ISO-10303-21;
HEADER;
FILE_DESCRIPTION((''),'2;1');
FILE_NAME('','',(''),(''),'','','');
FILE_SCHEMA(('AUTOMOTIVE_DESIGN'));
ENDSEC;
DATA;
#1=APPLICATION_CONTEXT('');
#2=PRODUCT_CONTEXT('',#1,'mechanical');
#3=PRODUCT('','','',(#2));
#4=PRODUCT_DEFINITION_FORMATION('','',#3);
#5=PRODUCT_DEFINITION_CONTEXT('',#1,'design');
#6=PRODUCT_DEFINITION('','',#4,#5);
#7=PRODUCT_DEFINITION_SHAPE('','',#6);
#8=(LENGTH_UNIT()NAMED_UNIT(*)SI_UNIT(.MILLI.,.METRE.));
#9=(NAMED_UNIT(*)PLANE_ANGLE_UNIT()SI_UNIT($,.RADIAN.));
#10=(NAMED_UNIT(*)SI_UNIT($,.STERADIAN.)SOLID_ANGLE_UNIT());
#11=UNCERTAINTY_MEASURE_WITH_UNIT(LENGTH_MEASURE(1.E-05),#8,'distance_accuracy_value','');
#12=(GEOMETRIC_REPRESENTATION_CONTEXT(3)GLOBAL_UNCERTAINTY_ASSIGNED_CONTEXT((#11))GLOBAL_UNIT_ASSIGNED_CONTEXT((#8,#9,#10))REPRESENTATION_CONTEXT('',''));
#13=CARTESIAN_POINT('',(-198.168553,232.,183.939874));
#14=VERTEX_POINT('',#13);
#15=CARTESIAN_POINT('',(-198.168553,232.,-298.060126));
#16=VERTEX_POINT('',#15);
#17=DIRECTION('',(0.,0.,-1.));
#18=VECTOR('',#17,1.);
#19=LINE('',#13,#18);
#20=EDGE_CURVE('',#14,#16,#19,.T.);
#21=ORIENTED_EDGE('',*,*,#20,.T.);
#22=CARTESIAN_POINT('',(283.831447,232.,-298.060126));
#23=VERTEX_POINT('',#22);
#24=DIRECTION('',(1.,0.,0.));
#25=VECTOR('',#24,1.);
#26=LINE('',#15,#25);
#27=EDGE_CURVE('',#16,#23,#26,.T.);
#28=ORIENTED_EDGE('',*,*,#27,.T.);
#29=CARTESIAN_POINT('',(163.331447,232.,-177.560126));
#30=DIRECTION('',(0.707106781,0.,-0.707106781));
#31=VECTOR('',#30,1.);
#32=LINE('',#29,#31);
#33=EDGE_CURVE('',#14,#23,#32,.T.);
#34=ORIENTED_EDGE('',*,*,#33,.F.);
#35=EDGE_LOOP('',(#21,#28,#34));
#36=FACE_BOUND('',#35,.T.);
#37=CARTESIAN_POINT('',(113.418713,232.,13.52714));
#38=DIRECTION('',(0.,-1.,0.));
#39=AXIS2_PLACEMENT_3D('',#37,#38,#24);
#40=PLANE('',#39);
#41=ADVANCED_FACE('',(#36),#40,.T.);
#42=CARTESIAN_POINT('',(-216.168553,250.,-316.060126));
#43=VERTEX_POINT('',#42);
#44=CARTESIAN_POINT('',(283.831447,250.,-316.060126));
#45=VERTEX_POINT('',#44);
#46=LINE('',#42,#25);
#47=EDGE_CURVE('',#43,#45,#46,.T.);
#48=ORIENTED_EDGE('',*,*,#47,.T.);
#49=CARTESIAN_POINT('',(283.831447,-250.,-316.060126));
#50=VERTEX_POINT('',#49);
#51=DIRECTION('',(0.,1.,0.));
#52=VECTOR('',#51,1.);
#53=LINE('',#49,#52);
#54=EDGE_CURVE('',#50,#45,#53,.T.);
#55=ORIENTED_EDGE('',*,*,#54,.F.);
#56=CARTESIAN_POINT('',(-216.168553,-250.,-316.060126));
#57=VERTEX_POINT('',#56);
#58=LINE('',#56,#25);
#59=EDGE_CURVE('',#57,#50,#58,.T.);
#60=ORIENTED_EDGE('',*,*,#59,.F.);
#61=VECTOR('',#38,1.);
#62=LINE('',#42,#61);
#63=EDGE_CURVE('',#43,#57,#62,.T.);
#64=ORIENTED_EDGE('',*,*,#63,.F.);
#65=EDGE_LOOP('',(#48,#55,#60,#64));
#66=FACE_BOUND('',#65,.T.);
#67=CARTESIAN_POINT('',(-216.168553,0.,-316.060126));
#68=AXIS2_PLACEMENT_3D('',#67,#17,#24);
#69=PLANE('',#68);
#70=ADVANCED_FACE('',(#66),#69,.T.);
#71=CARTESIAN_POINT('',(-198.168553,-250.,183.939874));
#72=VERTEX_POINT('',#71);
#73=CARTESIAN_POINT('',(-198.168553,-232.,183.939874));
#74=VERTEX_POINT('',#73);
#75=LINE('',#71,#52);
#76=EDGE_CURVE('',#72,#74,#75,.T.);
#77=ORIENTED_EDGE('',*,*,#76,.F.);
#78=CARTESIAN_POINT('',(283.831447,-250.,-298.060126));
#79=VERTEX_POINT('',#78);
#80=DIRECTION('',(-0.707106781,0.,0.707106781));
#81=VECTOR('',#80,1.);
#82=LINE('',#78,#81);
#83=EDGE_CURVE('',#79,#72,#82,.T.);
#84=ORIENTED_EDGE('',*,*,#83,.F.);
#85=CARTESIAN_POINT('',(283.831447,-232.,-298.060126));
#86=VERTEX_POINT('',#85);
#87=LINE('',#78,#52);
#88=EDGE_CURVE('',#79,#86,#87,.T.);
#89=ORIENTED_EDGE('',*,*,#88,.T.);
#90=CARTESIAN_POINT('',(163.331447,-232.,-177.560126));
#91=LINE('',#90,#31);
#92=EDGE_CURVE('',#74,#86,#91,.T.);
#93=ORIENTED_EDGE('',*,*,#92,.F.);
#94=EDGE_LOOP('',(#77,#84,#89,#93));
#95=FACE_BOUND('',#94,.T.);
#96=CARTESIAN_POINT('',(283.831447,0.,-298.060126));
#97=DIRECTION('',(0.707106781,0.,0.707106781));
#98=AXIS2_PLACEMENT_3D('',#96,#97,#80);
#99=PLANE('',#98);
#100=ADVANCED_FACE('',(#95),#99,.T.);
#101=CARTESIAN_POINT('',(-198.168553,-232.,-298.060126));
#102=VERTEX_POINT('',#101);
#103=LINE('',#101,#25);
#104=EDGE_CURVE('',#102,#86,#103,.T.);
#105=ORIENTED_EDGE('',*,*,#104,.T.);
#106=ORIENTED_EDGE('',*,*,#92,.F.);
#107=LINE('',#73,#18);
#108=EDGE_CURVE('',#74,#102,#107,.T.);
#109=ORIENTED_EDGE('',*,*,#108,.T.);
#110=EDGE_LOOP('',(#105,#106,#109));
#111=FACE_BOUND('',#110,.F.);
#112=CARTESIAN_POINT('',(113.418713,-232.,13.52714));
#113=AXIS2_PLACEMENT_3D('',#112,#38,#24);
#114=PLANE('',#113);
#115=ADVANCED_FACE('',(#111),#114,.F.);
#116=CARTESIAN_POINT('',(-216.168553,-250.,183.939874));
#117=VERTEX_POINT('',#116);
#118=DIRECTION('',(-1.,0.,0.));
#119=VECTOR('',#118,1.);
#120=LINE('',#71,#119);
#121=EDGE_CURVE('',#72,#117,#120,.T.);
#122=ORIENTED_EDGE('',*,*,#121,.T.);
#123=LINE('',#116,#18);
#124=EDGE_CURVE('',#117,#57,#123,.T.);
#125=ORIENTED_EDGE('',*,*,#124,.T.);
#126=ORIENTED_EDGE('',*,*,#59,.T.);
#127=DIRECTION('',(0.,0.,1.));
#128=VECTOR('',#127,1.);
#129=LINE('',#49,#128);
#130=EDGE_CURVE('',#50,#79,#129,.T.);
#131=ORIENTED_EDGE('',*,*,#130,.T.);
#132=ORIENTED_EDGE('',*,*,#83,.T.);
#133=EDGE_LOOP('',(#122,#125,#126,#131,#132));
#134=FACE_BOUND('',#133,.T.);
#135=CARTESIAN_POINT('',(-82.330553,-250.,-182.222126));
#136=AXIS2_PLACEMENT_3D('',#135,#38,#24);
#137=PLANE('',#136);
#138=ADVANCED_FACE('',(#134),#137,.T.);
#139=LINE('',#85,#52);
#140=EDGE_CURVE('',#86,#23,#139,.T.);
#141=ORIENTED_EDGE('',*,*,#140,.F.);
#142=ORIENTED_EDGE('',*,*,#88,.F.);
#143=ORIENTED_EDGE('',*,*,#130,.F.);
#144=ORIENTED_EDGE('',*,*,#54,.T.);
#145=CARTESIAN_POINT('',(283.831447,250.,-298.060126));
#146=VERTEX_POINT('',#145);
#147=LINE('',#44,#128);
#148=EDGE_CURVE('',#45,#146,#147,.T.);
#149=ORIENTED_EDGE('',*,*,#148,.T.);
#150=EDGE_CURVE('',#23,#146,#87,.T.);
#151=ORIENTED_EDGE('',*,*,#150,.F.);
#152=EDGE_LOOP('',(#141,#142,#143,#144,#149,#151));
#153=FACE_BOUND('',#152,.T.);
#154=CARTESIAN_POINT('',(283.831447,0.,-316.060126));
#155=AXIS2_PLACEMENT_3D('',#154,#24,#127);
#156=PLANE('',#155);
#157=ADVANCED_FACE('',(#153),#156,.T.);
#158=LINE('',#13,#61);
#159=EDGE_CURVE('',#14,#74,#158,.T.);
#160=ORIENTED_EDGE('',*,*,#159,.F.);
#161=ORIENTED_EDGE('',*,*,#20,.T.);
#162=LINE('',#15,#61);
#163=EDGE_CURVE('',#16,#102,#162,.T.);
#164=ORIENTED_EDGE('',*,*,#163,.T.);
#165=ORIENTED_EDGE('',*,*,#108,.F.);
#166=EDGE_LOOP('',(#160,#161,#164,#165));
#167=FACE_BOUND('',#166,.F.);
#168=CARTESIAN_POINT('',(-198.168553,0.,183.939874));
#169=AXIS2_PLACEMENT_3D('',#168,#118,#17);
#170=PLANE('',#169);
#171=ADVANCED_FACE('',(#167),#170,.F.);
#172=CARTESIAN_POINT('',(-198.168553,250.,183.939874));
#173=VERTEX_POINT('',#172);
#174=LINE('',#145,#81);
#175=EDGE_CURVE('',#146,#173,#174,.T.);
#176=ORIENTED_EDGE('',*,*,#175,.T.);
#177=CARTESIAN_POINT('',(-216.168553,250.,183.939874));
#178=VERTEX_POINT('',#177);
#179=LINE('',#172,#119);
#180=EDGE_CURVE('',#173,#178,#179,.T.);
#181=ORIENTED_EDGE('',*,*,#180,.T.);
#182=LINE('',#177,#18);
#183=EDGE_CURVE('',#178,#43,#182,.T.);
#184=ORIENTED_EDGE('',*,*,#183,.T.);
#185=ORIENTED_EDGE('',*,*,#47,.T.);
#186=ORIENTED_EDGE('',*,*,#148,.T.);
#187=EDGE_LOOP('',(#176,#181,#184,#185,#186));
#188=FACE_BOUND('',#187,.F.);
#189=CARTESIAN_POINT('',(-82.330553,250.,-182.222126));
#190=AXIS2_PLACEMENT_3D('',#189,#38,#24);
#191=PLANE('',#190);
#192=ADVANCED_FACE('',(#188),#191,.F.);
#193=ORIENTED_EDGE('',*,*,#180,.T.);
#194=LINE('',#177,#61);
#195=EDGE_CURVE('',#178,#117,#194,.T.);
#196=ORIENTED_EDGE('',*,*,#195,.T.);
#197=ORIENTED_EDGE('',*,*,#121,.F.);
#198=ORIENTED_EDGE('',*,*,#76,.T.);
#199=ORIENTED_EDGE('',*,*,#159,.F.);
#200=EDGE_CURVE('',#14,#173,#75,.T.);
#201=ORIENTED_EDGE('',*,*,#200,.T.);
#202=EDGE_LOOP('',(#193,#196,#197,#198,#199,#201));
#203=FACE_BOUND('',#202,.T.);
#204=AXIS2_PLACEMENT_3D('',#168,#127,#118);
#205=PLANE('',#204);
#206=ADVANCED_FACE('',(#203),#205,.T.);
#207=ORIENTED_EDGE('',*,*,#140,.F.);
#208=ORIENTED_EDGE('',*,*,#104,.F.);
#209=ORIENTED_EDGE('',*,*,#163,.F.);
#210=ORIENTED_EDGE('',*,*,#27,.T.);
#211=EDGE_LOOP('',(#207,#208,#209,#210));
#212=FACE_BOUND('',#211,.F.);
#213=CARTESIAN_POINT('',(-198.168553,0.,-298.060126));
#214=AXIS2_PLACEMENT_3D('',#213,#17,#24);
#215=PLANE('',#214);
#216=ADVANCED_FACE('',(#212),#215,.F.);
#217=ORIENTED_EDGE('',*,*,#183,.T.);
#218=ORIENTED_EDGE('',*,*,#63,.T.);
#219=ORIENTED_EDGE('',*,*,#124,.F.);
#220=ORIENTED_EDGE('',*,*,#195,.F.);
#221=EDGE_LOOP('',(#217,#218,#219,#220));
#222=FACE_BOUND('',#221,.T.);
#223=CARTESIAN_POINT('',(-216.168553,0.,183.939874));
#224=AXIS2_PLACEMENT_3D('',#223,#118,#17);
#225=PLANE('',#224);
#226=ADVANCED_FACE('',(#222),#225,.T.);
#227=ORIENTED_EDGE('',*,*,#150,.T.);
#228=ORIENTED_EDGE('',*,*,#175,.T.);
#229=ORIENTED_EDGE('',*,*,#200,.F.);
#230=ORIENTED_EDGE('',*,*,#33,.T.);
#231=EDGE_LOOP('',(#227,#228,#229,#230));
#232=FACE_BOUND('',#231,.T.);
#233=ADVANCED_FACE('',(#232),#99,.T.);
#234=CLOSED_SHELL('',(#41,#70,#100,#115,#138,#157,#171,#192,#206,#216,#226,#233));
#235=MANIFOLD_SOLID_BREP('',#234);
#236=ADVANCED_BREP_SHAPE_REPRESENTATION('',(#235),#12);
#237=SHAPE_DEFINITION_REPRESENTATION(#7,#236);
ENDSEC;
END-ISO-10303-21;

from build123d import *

# Parameters (mm, degrees)
F1_DEPTH = 250
F2_DEPTH = 232


with BuildPart() as f1:
    # F0 (on Front) → F1 (new body, symmetric)
    with BuildSketch(Plane.XZ):
        Polygon((-198.168553, 183.939874), (-216.168553, 183.939874), (-216.168553, -316.060126), (283.831447, -316.060126), (283.831447, -298.060126), (-198.168553, -298.060126), align=None)
        Polygon((283.831447, -298.060126), (-198.168553, 183.939874), (-198.168553, -298.060126), align=None)
    extrude(amount=F1_DEPTH, both=True)

    # F0 (on Front) → F2 (cut, symmetric)
    with BuildSketch(Plane.XZ):
        Polygon((283.831447, 183.939874), (-198.168553, 183.939874), (283.831447, -298.060126), align=None)
        Polygon((283.831447, -298.060126), (-198.168553, 183.939874), (-198.168553, -298.060126), align=None)
    extrude(amount=F2_DEPTH, both=True, mode=Mode.SUBTRACT)


solid = f1.part
